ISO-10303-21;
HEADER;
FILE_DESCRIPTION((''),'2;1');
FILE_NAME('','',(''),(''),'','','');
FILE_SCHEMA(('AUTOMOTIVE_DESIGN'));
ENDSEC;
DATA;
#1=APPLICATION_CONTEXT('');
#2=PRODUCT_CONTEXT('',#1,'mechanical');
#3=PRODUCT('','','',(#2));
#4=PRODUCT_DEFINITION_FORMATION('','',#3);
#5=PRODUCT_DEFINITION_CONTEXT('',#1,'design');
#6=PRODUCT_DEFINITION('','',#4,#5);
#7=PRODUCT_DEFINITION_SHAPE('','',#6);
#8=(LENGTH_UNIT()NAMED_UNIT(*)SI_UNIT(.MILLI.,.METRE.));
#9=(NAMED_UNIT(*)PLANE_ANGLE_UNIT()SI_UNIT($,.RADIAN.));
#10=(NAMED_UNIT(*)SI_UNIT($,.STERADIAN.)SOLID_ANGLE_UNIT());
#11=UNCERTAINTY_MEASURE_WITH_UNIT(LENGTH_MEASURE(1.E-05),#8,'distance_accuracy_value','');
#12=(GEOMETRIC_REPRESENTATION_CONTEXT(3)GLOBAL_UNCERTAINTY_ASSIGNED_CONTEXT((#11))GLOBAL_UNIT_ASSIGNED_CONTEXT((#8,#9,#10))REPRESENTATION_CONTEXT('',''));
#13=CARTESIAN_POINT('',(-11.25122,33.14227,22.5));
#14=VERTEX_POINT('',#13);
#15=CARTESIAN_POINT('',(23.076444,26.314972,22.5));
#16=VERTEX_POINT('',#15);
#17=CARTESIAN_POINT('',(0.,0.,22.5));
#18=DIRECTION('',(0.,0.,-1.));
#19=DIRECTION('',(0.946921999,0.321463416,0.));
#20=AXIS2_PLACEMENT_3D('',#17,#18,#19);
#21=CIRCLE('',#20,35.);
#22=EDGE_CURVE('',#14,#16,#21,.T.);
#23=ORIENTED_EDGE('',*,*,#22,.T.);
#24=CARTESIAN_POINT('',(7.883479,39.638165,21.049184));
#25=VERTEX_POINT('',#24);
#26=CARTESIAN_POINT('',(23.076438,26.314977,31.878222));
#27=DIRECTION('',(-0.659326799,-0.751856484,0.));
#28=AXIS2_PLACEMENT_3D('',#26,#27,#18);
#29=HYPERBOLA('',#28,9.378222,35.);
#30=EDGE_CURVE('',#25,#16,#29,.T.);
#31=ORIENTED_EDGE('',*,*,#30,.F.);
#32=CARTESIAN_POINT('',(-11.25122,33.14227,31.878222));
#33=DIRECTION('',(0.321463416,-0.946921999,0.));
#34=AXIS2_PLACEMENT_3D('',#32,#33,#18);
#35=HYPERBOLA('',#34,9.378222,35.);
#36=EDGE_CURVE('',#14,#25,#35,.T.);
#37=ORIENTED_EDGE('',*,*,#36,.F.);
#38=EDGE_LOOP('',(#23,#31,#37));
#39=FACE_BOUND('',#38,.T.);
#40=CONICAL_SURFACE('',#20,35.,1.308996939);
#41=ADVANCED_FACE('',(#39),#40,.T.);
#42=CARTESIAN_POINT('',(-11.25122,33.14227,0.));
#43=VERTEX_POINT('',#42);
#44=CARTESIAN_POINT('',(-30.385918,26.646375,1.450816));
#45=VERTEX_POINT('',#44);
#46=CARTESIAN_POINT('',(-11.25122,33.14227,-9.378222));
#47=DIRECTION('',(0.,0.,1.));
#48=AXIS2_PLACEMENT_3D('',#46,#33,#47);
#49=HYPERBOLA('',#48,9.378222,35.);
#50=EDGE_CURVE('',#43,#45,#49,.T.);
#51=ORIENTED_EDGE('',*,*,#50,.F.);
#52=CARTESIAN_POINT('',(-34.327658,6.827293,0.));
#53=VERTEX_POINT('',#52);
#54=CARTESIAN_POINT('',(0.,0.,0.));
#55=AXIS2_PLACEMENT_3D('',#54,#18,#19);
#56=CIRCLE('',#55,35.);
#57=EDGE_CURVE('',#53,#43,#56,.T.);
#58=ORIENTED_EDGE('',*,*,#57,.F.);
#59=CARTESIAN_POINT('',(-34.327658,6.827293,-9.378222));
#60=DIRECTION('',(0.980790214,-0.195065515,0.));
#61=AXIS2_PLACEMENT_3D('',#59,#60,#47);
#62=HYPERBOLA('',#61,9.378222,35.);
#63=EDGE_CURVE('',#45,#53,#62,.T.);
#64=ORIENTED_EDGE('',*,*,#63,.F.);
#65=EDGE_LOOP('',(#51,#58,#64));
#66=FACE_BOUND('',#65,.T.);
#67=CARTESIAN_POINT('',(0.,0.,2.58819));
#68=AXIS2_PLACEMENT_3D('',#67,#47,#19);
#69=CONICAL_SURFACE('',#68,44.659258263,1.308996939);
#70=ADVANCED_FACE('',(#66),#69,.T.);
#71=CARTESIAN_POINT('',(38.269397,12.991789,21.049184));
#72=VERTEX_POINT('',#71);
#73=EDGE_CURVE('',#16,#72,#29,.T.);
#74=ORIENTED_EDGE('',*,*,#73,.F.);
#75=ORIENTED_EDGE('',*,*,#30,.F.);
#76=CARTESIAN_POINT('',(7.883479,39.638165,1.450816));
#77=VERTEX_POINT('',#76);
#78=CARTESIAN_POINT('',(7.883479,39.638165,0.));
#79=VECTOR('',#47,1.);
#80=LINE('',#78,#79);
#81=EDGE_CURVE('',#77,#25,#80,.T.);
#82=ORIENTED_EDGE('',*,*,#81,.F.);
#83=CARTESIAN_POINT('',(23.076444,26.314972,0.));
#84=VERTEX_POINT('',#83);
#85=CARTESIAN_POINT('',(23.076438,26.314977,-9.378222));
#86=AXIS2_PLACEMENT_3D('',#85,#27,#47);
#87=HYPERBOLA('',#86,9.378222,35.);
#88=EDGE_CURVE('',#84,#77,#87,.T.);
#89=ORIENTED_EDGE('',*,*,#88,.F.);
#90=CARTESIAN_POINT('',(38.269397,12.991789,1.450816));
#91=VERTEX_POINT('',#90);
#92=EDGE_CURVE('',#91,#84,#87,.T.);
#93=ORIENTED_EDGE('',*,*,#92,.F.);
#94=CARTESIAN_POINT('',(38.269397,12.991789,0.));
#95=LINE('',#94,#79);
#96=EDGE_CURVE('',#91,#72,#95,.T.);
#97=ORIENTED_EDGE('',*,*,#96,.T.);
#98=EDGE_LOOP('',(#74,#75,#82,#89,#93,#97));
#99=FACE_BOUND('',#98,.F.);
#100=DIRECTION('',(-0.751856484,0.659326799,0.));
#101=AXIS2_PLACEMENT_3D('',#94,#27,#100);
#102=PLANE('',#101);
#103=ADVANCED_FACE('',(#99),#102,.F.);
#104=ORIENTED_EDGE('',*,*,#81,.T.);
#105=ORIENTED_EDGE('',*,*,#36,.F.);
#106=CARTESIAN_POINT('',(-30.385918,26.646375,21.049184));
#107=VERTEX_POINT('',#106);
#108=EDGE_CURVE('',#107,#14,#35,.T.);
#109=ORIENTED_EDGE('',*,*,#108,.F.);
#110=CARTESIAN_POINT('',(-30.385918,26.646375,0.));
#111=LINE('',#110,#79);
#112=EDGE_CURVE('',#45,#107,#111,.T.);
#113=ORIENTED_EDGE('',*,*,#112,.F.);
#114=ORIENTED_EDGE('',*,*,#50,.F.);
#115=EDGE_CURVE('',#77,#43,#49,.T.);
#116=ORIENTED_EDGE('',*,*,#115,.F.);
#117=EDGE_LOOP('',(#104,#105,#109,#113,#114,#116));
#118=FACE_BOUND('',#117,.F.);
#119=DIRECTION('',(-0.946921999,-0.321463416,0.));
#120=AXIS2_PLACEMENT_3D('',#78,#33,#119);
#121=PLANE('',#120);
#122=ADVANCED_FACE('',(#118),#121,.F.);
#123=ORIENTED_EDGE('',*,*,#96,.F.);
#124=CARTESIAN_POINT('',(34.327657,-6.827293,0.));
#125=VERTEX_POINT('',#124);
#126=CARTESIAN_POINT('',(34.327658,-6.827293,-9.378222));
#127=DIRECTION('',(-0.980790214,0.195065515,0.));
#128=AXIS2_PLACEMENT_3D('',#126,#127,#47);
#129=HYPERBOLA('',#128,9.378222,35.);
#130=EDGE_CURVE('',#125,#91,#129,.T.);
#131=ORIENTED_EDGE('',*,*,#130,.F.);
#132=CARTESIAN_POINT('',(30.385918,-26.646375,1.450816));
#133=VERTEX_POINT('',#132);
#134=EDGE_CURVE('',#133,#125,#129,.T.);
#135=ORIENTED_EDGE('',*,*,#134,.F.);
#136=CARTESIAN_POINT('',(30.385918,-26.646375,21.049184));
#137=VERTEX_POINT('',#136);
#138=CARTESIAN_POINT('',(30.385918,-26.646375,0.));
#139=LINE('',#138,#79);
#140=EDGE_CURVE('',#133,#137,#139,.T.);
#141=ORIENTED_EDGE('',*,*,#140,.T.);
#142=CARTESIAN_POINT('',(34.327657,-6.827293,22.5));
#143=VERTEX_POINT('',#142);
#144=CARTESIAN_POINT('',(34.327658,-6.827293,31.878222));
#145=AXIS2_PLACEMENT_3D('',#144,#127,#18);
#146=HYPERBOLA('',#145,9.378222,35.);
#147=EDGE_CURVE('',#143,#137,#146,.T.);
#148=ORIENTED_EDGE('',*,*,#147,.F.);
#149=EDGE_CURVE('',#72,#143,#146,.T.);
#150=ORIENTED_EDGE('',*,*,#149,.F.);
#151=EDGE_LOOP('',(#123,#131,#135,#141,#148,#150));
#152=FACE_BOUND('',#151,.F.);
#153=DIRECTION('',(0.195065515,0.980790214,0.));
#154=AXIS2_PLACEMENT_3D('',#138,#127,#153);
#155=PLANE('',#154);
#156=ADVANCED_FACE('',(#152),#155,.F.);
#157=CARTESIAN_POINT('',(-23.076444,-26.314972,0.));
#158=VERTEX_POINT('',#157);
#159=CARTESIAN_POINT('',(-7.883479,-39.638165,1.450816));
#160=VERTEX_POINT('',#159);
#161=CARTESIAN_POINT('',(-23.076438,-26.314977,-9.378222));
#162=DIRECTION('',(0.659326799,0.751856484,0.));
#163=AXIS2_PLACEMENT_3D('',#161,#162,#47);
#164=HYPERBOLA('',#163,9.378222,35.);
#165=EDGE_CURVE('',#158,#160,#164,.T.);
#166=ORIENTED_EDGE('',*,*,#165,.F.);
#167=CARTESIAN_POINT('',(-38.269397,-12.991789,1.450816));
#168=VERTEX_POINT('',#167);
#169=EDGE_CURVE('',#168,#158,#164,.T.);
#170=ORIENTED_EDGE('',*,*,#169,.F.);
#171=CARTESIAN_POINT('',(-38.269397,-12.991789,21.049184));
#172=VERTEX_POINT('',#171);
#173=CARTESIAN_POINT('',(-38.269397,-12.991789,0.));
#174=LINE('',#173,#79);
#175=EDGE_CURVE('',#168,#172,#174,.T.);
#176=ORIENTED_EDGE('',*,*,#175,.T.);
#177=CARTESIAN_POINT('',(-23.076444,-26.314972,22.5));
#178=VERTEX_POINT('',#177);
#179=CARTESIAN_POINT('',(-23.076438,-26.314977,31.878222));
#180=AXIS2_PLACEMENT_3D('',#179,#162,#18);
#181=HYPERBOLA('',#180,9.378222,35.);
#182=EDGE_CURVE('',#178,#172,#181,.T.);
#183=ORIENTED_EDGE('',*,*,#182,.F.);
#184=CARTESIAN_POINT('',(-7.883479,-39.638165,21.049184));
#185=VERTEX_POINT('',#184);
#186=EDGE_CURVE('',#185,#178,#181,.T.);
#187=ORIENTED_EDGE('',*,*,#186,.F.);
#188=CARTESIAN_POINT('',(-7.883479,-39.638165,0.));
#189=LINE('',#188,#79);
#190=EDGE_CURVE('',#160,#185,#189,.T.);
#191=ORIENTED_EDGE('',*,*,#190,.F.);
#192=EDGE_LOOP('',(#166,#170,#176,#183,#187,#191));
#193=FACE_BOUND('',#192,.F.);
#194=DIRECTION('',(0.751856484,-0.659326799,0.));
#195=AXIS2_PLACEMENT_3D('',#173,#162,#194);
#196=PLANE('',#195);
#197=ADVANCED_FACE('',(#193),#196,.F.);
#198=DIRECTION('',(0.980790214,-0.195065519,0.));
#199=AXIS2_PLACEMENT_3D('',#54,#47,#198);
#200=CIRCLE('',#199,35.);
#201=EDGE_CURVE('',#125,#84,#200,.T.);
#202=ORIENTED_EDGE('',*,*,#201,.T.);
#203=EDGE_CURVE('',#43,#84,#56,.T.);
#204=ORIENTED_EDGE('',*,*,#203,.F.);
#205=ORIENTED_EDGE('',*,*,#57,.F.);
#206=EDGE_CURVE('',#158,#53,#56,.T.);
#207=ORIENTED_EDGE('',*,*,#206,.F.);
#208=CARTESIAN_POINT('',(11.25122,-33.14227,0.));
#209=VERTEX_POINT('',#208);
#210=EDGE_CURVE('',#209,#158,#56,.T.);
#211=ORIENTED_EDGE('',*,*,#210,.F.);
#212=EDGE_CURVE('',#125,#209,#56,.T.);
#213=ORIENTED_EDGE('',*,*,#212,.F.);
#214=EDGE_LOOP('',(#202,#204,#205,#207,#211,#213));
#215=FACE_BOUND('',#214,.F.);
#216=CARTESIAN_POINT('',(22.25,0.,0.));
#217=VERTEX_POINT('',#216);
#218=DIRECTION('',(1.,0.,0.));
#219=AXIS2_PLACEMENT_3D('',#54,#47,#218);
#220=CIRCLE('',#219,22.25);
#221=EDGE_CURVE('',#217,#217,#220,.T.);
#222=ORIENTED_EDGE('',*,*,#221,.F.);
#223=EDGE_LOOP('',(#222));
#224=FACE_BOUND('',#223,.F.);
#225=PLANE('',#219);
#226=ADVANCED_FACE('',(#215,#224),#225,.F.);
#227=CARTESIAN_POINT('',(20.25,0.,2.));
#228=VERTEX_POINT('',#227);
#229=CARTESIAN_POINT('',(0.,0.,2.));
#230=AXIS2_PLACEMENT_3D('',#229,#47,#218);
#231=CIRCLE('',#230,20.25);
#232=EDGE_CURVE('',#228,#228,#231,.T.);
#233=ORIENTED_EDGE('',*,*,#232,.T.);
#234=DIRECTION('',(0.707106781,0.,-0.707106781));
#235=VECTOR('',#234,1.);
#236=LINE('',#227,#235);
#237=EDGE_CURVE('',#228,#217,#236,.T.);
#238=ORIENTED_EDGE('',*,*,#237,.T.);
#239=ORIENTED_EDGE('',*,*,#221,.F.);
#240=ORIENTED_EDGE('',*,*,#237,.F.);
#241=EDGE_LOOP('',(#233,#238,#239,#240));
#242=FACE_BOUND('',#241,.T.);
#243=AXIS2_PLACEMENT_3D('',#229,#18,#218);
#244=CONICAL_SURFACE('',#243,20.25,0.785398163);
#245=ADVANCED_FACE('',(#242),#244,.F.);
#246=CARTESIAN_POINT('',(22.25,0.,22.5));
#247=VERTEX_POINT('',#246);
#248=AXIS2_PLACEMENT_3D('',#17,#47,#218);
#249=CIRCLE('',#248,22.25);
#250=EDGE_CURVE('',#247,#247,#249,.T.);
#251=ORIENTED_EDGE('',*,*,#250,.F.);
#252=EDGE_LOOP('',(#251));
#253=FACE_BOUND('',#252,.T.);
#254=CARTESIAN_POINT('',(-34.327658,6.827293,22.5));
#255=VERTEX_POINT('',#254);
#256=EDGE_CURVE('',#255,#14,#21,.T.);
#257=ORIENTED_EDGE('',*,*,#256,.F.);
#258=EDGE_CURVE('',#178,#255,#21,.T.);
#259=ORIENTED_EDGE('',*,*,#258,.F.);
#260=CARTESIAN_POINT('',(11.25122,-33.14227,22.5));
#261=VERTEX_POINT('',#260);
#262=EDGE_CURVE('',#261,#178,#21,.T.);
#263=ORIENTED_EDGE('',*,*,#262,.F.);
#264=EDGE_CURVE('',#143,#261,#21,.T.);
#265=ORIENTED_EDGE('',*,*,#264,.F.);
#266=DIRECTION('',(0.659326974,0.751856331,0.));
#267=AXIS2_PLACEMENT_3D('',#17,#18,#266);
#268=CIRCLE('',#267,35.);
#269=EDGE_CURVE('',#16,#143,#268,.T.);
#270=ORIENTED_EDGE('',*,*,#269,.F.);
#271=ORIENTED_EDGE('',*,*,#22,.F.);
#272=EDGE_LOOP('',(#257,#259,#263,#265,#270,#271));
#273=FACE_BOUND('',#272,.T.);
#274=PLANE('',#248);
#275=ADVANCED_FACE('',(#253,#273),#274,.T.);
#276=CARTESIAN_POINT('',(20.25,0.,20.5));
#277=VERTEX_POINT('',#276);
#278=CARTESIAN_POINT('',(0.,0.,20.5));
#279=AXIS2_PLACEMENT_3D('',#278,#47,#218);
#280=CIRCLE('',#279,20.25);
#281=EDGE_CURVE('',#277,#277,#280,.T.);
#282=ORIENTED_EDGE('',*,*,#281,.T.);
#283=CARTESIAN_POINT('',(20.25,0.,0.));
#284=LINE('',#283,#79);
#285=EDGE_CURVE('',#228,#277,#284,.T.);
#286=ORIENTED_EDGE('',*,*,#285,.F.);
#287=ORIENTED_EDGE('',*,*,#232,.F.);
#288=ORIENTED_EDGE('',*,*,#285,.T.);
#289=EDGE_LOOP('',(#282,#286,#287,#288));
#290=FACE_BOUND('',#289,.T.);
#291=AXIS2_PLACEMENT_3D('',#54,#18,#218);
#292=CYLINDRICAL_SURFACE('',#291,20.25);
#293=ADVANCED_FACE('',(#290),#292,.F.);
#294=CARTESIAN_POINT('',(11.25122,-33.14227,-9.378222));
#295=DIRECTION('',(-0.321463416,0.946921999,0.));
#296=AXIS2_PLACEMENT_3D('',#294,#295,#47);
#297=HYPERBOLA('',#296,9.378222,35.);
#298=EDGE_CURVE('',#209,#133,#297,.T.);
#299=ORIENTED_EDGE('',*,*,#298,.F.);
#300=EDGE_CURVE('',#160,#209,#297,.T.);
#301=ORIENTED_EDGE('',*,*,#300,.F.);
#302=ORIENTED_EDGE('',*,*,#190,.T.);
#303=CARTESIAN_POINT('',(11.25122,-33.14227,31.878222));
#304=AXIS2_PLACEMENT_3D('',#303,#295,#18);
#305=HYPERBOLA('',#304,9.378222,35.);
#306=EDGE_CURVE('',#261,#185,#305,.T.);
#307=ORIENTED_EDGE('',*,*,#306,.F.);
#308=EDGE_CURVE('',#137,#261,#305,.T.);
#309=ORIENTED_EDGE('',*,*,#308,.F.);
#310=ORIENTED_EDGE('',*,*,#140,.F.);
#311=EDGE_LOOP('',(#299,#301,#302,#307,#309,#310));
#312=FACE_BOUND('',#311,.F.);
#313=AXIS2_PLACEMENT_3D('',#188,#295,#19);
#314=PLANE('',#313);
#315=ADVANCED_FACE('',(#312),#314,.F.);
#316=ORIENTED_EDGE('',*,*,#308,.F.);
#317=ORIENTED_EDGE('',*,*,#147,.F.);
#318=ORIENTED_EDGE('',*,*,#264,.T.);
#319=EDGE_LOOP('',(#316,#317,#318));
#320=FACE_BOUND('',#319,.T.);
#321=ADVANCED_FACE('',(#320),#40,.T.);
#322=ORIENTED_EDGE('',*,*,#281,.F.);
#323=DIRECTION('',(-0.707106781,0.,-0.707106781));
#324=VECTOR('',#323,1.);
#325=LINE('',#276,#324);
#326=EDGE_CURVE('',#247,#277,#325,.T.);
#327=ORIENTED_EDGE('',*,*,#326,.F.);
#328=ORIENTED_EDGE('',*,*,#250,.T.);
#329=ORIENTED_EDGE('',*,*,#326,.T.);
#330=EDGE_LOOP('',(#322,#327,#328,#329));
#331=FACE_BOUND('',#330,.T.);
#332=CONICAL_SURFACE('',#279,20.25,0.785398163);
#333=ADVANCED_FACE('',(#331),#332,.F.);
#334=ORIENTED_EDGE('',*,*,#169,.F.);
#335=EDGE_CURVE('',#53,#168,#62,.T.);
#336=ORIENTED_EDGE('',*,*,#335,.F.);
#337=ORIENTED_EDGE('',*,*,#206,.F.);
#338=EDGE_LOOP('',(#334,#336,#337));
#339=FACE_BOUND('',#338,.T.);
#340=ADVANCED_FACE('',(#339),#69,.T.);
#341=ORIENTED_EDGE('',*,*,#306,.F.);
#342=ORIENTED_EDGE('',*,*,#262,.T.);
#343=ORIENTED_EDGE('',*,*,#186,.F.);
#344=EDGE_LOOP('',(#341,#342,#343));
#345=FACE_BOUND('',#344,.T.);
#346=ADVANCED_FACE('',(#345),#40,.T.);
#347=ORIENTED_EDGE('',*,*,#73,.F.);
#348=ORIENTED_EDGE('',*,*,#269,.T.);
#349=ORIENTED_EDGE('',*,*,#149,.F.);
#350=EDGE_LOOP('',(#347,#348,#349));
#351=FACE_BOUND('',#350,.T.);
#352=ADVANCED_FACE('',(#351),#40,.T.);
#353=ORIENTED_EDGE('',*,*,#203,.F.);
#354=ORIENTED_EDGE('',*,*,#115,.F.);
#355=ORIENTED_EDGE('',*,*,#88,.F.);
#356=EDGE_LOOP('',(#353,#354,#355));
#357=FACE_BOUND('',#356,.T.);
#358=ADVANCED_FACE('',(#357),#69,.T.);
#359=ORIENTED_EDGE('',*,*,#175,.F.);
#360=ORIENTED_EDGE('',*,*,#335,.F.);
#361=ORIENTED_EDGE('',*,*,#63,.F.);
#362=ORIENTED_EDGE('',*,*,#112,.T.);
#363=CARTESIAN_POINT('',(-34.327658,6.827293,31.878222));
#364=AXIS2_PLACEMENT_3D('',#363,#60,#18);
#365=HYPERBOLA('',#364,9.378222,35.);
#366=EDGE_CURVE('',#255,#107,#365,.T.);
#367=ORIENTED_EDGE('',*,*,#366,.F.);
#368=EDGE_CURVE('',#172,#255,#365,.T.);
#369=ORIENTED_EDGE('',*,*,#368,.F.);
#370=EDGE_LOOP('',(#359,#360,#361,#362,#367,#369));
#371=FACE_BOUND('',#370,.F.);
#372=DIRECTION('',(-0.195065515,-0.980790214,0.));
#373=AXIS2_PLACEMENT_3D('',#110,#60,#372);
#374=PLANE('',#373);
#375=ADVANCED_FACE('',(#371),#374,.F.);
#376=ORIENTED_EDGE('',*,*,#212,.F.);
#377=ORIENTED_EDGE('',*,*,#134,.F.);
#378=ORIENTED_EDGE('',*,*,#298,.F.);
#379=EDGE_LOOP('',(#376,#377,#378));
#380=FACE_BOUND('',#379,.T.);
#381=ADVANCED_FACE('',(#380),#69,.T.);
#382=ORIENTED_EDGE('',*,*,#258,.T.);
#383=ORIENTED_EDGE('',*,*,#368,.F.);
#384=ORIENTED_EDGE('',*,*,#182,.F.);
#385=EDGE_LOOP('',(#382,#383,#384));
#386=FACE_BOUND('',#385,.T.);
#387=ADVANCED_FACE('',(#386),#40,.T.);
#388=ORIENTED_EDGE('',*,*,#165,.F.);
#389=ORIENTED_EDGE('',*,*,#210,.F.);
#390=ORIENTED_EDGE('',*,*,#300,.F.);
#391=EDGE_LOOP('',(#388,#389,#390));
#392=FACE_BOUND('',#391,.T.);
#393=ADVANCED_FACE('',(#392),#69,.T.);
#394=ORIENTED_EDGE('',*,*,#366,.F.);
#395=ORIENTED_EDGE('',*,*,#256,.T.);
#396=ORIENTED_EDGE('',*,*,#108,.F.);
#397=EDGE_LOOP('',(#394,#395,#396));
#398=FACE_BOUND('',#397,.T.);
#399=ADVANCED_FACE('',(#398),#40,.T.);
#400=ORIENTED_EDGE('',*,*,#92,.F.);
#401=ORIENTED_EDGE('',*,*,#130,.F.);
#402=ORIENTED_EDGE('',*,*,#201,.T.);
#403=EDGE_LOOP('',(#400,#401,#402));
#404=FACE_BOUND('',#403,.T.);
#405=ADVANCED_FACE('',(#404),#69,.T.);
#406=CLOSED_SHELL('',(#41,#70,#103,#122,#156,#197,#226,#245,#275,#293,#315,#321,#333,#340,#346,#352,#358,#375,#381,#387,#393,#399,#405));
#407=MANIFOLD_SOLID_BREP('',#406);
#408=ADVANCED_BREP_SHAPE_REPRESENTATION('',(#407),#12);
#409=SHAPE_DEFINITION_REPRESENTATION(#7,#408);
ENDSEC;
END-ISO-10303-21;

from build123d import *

# Parameters (mm, degrees)
F0_R     = 20.25
F1_DEPTH = 22.5
F6_SIZE  = 2


with BuildPart() as f1:
    # F0 (on Top) → F1 (new body)
    with BuildSketch(Plane.XY):
        Polygon((30.385918036, -26.6463753341), (38.2693969761, 12.9917892694), (7.8834789401, 39.6381646035), (-30.385918036, 26.6463753341), (-38.2693969761, -12.9917892694), (-7.8834789401, -39.6381646035), align=None)
        Circle(F0_R, mode=Mode.SUBTRACT)
    extrude(amount=F1_DEPTH)

    # F4 (on 3pt) → F5 (revolve, cut)
    with BuildSketch(Plane(origin=(0, 0, 0), x_dir=(0.9469219991, 0.3214634157, 0), z_dir=(0.3214634157, -0.9469219991, 0))):
        Polygon((35, 22.707875818), (35, 22.5), (44.6592582629, 19.911809549), (44.6592582629, 22.707875818), align=None)
        Polygon((44.6592582629, 2.588190451), (35, 0), (35, -0.207875818), (44.6592582629, -0.207875818), align=None)
    revolve(axis=Axis((0, 0, 0), (0, 0, -1)), mode=Mode.SUBTRACT)

    # F6
    f6_edges = [f1.edges().sort_by_distance(p)[0] for p in [
        (-20.25, 0, 22.5),
        (-20.25, 0, 0),
    ]]
    chamfer(f6_edges, length=F6_SIZE)


solid = f1.part
